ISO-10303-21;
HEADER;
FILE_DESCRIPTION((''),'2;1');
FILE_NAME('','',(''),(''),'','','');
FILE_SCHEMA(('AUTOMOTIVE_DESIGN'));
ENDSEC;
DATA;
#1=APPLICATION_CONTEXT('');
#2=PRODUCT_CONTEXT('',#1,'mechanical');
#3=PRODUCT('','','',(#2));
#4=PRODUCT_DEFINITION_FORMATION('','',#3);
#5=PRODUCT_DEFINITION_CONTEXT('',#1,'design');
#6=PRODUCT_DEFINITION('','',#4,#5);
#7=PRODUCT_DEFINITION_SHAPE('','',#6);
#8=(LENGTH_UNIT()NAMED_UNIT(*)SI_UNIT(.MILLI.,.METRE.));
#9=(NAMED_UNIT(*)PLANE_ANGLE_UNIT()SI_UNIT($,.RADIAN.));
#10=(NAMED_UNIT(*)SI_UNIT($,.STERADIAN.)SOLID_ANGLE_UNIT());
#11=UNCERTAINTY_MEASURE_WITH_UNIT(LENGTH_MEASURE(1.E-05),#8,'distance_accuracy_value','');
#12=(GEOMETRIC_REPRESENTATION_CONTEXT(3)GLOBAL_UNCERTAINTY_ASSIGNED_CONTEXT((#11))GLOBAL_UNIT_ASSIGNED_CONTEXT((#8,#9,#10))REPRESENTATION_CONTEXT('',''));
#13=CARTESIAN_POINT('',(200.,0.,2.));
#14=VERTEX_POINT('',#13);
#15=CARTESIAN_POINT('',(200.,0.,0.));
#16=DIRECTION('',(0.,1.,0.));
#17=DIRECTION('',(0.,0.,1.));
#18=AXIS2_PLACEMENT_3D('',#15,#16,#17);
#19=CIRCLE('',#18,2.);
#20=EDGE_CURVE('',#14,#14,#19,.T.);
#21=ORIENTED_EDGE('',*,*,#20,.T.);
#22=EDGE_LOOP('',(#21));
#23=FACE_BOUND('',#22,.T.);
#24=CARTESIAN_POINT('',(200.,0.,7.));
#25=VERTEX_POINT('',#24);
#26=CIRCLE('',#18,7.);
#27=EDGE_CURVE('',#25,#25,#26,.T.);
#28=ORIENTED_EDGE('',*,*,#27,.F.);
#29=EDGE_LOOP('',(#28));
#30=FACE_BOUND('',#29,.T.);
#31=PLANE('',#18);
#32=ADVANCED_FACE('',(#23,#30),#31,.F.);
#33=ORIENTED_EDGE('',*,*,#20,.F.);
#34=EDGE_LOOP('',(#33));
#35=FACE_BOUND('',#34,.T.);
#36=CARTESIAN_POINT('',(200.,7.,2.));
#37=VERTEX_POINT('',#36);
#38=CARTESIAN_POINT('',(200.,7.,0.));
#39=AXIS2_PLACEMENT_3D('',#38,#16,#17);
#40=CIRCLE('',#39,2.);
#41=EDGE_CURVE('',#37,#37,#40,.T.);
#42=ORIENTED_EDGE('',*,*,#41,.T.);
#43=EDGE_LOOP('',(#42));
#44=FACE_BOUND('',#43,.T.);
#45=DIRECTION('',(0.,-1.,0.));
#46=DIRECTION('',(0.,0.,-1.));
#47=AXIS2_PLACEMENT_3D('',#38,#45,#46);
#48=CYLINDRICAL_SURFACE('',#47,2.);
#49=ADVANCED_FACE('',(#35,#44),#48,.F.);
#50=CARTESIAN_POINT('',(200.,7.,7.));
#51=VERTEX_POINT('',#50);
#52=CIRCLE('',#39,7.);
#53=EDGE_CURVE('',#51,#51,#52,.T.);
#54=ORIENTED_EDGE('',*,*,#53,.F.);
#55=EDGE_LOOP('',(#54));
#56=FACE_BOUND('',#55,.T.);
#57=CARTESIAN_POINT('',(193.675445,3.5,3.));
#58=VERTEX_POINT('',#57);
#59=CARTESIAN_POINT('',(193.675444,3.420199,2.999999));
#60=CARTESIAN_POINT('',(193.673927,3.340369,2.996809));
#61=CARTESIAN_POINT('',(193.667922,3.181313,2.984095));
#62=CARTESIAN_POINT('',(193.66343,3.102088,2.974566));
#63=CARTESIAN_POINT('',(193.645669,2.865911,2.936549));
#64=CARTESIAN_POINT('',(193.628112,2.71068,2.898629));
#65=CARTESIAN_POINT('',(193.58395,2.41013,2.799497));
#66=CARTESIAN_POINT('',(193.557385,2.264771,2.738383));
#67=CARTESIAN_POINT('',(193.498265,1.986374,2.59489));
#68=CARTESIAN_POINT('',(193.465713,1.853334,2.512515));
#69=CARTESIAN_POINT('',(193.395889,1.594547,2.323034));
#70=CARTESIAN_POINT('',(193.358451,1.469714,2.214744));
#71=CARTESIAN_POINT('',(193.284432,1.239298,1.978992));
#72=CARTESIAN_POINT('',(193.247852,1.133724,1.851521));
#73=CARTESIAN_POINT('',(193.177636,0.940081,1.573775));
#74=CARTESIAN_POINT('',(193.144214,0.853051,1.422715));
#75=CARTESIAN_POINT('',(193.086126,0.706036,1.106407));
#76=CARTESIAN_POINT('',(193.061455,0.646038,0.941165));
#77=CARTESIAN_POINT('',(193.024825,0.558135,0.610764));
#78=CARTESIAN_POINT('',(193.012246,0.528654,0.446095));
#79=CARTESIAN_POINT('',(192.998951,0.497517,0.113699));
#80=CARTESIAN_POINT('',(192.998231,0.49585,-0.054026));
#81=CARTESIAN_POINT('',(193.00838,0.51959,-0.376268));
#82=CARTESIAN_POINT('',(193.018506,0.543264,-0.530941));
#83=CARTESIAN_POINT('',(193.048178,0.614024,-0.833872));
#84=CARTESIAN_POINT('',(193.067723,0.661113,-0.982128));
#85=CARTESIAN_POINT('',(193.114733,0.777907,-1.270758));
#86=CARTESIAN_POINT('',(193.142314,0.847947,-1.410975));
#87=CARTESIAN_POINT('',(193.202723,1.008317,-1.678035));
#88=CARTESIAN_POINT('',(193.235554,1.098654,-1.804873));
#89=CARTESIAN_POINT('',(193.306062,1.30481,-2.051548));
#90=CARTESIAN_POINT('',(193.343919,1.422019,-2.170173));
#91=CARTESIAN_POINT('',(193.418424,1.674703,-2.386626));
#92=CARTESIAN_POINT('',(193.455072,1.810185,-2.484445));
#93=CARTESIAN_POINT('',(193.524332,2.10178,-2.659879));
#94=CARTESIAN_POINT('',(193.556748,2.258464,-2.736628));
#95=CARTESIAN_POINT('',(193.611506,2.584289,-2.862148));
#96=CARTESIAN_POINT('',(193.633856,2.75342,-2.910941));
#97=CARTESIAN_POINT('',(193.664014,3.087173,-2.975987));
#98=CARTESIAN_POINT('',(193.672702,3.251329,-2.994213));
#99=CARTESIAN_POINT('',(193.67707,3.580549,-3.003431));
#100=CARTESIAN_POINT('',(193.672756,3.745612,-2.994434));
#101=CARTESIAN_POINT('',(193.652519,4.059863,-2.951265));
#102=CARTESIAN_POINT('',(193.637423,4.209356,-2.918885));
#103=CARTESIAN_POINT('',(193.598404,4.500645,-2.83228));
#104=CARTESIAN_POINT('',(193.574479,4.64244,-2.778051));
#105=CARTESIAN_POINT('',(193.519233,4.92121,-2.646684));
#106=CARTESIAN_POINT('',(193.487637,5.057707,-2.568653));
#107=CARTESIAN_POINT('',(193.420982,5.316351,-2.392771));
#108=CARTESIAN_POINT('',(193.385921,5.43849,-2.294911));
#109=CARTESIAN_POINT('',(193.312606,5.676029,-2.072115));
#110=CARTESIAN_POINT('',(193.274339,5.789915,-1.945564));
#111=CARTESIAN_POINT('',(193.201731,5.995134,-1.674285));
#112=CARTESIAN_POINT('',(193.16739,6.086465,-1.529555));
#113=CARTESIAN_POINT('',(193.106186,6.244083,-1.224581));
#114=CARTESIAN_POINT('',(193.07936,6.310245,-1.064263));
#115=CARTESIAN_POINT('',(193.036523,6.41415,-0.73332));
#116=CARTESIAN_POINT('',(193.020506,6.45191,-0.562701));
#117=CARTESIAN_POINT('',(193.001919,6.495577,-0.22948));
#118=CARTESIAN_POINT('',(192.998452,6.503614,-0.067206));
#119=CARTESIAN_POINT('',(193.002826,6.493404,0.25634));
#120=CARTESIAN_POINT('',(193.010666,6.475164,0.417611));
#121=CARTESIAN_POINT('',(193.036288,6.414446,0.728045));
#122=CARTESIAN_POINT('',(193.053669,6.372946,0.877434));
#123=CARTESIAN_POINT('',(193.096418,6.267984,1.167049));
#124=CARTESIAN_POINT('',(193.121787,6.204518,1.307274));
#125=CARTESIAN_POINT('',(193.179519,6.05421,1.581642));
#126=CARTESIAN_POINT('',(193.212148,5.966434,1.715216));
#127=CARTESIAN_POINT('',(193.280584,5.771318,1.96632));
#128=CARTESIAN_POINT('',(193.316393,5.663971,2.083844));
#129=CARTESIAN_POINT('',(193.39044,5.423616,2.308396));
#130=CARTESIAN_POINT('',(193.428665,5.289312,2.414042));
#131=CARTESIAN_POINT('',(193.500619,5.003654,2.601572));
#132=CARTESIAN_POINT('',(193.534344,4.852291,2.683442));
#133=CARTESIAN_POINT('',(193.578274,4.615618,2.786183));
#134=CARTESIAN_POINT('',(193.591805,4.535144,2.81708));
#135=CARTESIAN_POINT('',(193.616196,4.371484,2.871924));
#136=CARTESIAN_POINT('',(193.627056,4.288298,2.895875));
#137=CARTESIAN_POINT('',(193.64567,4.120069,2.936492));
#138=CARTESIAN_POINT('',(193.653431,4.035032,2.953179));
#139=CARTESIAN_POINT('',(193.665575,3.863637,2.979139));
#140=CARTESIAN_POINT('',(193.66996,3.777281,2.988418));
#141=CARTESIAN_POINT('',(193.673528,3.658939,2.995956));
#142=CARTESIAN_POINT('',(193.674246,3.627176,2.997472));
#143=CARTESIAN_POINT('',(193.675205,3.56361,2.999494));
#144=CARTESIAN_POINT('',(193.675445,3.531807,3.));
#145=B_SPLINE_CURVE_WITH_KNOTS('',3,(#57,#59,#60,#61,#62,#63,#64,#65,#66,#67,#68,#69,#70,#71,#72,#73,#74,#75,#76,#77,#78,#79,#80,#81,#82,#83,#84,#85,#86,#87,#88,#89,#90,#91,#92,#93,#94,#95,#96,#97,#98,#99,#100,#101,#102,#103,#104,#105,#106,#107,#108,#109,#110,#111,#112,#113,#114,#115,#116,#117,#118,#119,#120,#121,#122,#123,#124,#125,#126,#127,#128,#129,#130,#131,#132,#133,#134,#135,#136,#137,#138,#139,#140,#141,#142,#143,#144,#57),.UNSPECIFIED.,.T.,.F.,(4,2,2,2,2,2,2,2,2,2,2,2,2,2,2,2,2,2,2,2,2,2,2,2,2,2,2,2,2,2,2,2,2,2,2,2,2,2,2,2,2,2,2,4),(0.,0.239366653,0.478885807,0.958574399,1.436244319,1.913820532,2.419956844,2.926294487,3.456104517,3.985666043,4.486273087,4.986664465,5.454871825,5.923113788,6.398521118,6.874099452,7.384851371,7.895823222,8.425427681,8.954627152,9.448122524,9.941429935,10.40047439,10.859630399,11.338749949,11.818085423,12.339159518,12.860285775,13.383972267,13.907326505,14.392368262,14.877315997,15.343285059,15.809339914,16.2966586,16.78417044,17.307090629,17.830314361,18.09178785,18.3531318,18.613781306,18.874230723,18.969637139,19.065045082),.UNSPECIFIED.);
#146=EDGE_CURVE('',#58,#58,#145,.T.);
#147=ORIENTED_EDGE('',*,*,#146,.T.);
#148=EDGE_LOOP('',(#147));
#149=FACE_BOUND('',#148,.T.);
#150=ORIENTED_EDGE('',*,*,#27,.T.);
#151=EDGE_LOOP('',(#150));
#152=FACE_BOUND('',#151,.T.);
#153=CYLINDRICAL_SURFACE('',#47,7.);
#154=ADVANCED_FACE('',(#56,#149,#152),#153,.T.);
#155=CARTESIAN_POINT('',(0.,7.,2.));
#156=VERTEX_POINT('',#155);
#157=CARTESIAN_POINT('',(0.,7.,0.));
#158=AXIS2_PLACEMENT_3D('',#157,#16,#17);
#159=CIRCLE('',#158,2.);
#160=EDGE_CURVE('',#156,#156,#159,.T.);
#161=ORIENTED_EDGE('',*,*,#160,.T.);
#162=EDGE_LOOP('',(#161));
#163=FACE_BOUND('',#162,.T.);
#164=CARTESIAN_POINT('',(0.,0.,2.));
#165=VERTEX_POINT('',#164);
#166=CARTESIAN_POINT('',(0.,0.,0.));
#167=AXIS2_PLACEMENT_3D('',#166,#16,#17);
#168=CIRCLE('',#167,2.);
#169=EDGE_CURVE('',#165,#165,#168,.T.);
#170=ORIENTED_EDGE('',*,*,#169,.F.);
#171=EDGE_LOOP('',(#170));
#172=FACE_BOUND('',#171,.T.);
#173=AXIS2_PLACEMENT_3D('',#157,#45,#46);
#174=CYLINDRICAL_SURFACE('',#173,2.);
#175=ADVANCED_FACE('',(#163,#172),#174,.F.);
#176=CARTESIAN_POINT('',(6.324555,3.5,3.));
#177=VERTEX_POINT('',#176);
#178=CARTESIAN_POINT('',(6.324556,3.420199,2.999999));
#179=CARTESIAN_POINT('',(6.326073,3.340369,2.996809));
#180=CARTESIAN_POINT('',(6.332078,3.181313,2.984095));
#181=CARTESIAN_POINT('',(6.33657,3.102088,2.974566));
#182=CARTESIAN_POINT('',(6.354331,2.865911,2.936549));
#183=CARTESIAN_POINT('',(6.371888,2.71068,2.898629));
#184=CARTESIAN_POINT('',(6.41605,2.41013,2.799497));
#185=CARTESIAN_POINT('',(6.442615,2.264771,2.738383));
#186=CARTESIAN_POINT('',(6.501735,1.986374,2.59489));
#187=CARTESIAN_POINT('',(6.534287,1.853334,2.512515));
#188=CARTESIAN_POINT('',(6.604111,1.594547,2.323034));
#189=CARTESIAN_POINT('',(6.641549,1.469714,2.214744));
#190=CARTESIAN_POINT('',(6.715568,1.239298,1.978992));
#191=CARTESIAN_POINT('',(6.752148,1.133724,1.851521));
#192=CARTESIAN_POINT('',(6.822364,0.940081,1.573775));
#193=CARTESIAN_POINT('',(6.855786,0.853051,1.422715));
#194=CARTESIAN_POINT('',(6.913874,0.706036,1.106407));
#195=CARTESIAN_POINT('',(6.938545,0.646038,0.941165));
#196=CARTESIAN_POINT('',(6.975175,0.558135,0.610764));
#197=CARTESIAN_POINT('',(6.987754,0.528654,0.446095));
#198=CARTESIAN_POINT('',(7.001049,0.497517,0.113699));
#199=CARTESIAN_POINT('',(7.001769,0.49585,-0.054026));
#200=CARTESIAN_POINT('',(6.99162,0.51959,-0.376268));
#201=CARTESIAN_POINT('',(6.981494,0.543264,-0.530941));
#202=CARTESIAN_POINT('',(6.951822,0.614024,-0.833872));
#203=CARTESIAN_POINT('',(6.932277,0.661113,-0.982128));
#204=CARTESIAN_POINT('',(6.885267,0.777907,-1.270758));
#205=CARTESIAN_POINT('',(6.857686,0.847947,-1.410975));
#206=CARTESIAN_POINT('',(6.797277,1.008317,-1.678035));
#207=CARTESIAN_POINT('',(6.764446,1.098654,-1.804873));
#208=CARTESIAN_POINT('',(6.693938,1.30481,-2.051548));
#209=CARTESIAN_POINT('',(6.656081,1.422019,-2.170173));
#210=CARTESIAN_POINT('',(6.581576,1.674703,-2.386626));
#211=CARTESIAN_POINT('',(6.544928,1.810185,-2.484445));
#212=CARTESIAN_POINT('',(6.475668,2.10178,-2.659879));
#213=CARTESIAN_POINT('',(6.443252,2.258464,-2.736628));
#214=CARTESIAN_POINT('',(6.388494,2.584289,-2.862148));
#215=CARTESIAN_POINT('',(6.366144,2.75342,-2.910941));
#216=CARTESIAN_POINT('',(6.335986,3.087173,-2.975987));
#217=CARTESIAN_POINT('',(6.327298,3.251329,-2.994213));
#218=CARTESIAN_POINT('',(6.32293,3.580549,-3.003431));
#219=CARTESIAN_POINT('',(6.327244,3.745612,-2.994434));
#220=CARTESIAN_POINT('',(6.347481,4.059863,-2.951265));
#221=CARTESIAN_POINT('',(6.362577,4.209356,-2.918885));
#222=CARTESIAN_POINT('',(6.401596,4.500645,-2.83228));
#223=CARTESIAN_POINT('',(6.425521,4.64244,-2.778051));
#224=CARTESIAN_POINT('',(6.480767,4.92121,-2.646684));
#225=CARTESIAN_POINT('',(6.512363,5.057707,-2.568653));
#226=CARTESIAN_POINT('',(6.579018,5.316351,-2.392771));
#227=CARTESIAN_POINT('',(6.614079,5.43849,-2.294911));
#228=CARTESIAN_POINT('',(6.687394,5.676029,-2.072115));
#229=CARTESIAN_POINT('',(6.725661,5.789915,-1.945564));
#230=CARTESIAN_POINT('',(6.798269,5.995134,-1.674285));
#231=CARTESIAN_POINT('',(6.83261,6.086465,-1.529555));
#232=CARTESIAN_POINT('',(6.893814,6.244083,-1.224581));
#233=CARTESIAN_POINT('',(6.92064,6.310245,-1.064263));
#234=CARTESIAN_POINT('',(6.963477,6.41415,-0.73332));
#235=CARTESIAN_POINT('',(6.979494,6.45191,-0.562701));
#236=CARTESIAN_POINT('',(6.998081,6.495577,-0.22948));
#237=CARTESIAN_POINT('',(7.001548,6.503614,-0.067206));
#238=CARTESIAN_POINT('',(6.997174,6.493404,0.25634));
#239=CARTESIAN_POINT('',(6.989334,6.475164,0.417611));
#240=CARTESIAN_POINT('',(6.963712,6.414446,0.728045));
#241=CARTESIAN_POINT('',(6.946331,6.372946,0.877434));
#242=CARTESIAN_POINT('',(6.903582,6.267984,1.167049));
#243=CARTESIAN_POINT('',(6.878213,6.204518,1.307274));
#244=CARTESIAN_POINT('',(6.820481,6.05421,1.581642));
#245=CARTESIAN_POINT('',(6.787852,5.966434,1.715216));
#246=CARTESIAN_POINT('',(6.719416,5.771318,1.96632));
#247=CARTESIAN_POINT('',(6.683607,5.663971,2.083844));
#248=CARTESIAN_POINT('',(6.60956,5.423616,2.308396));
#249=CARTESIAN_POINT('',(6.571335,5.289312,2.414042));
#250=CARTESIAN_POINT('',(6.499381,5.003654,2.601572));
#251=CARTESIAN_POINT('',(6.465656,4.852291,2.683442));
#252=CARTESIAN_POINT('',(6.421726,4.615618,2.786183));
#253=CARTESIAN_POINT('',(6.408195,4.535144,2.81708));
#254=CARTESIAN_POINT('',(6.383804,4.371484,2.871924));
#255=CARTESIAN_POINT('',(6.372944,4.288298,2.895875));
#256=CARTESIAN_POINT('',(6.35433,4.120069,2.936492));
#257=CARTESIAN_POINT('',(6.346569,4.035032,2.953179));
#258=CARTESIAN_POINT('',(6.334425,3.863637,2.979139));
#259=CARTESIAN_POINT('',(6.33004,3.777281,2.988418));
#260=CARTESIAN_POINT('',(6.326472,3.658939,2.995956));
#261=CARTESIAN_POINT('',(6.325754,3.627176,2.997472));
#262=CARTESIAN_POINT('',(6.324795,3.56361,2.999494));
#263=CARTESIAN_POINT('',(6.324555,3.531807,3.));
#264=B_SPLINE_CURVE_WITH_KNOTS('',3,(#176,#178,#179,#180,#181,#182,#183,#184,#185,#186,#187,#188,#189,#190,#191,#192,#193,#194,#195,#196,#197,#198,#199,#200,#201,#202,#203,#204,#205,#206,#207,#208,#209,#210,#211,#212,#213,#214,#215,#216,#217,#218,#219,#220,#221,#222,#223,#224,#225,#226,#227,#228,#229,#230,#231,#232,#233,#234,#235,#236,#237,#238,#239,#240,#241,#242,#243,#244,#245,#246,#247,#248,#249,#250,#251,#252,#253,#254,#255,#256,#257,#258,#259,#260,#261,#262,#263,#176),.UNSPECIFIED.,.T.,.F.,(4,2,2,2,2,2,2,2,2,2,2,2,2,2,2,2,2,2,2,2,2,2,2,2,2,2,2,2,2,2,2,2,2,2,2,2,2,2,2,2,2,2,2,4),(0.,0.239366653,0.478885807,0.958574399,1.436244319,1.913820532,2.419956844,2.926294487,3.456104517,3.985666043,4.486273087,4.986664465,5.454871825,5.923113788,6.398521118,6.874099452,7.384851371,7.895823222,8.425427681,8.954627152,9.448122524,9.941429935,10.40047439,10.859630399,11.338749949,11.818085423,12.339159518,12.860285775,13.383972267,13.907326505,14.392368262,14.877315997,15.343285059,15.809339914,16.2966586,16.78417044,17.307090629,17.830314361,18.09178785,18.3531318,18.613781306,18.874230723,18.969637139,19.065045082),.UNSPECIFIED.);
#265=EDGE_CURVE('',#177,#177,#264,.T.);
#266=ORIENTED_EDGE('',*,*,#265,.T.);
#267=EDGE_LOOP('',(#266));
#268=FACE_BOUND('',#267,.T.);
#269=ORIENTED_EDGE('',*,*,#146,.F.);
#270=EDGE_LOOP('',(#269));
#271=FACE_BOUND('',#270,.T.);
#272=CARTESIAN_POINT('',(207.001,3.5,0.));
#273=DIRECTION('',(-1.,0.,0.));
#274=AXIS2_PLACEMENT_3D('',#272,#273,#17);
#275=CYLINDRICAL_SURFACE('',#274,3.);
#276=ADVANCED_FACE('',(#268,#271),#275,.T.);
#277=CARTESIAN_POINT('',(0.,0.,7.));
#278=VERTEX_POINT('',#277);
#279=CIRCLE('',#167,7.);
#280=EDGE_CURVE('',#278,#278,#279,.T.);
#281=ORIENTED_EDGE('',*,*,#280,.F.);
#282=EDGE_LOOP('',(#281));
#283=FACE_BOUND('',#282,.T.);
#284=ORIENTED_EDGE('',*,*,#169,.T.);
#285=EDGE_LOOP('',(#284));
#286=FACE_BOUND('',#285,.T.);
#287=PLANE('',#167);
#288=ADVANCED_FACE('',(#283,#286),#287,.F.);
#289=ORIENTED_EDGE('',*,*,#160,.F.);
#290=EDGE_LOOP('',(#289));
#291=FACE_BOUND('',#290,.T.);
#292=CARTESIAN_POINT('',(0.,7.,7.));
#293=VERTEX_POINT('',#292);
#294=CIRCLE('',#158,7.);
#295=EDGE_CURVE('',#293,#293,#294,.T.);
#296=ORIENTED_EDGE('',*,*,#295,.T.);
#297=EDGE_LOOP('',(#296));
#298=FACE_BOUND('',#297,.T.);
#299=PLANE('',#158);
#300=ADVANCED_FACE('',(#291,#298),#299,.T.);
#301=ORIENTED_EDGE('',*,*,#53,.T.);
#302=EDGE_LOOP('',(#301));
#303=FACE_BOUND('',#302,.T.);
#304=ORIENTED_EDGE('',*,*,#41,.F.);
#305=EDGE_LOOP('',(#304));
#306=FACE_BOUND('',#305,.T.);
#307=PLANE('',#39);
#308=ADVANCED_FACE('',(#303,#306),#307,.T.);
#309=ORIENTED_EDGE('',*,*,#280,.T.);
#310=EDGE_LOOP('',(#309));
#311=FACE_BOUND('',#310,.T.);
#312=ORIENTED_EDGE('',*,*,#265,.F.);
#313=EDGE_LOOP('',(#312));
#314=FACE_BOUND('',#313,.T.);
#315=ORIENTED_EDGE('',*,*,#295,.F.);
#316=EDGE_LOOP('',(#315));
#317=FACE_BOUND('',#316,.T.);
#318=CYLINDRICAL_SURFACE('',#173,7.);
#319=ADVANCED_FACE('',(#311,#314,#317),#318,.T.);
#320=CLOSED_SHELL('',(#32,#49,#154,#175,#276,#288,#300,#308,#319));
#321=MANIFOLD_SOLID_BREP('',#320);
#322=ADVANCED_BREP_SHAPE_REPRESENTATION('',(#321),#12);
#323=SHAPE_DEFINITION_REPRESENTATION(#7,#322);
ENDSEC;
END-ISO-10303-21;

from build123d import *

# Parameters (mm, degrees)
SKETCH1_R                            = 7
SKETCH1_R_2                          = 2
BOSS_EXTRUDE1_DEPTH                  = 7
BOSS_EXTRUDE1_2_DEPTH                = 7
BOSS_EXTRUDE2_REACH                  = 186.765
BOSS_EXTRUDE2_END_RADIUS             = 7
SKETCH2_R                            = 3
BOSS_EXTRUDE2_DIRECTION_2_REACH      = 186.765
BOSS_EXTRUDE2_DIRECTION_2_END_RADIUS = 7


with BuildPart() as part:
    # Sketch1 → Boss-Extrude1 (new body)
    with BuildSketch(Plane(origin=(0, 0, 0), x_dir=(1, 0, 0), z_dir=(0, 1, 0))):
        with Locations(Location((0, 0, 0), (0, 0, 270))):
            Circle(SKETCH1_R)
        with Locations(Location((0, 0, 0), (0, 0, 270))):
            Circle(SKETCH1_R_2, mode=Mode.SUBTRACT)
    extrude(amount=BOSS_EXTRUDE1_DEPTH)



with BuildPart() as body_2:
    # Sketch1 → Boss-Extrude1 2 (new body)
    with BuildSketch(Plane(origin=(0, 0, 0), x_dir=(1, 0, 0), z_dir=(0, 1, 0))):
        with Locations(Location((200, 0, 0), (0, 0, 270))):
            Circle(SKETCH1_R)
        with Locations(Location((200, 0, 0), (0, 0, 270))):
            Circle(SKETCH1_R_2, mode=Mode.SUBTRACT)
    extrude(amount=BOSS_EXTRUDE1_2_DEPTH)


with BuildPart() as part_1:
    add(part.part)

    add(body_2.part)  # Boss-Extrude2 merges body 2
    # Boss-Extrude2: up to this cylinder (the profile starts outside it)
    boss_extrude2_end = Plane(origin=(200, 3.5, 0), z_dir=(0, -1, 0)) * Cylinder(BOSS_EXTRUDE2_END_RADIUS, 388.53, mode=Mode.PRIVATE)
    # Sketch2 → Boss-Extrude2 (add, up to the surface)
    with BuildSketch(Plane(origin=(22.5, 0, 0), x_dir=(0, 0, -1), z_dir=(1, 0, 0)), mode=Mode.PRIVATE) as boss_extrude2_sk1:
        with Locations(Location((0, 3.5, 0), (0, 0, 180))):
            Circle(SKETCH2_R)
    boss_extrude2_tool1 = extrude(boss_extrude2_sk1.sketch, amount=BOSS_EXTRUDE2_REACH, mode=Mode.PRIVATE) - boss_extrude2_end
    add(boss_extrude2_tool1.solids().sort_by_distance((22.5, 3.5, 0))[0])

    # Boss-Extrude2 direction 2: up to this cylinder (the profile starts outside it)
    boss_extrude2_direction_2_end = Plane(origin=(0, 3.5, 0), z_dir=(0, -1, 0)) * Cylinder(BOSS_EXTRUDE2_DIRECTION_2_END_RADIUS, 388.53, mode=Mode.PRIVATE)
    # Sketch2 → Boss-Extrude2 direction 2 (add, up to the surface)
    with BuildSketch(Plane(origin=(22.5, 0, 0), x_dir=(0, 0, -1), z_dir=(1, 0, 0)), mode=Mode.PRIVATE) as boss_extrude2_direction_2_sk1:
        with Locations(Location((0, 3.5, 0), (0, 0, 180))):
            Circle(SKETCH2_R)
    boss_extrude2_direction_2_tool1 = extrude(boss_extrude2_direction_2_sk1.sketch, amount=-BOSS_EXTRUDE2_DIRECTION_2_REACH, mode=Mode.PRIVATE) - boss_extrude2_direction_2_end
    add(boss_extrude2_direction_2_tool1.solids().sort_by_distance((22.5, 3.5, 0))[0])


solid = part_1.part
